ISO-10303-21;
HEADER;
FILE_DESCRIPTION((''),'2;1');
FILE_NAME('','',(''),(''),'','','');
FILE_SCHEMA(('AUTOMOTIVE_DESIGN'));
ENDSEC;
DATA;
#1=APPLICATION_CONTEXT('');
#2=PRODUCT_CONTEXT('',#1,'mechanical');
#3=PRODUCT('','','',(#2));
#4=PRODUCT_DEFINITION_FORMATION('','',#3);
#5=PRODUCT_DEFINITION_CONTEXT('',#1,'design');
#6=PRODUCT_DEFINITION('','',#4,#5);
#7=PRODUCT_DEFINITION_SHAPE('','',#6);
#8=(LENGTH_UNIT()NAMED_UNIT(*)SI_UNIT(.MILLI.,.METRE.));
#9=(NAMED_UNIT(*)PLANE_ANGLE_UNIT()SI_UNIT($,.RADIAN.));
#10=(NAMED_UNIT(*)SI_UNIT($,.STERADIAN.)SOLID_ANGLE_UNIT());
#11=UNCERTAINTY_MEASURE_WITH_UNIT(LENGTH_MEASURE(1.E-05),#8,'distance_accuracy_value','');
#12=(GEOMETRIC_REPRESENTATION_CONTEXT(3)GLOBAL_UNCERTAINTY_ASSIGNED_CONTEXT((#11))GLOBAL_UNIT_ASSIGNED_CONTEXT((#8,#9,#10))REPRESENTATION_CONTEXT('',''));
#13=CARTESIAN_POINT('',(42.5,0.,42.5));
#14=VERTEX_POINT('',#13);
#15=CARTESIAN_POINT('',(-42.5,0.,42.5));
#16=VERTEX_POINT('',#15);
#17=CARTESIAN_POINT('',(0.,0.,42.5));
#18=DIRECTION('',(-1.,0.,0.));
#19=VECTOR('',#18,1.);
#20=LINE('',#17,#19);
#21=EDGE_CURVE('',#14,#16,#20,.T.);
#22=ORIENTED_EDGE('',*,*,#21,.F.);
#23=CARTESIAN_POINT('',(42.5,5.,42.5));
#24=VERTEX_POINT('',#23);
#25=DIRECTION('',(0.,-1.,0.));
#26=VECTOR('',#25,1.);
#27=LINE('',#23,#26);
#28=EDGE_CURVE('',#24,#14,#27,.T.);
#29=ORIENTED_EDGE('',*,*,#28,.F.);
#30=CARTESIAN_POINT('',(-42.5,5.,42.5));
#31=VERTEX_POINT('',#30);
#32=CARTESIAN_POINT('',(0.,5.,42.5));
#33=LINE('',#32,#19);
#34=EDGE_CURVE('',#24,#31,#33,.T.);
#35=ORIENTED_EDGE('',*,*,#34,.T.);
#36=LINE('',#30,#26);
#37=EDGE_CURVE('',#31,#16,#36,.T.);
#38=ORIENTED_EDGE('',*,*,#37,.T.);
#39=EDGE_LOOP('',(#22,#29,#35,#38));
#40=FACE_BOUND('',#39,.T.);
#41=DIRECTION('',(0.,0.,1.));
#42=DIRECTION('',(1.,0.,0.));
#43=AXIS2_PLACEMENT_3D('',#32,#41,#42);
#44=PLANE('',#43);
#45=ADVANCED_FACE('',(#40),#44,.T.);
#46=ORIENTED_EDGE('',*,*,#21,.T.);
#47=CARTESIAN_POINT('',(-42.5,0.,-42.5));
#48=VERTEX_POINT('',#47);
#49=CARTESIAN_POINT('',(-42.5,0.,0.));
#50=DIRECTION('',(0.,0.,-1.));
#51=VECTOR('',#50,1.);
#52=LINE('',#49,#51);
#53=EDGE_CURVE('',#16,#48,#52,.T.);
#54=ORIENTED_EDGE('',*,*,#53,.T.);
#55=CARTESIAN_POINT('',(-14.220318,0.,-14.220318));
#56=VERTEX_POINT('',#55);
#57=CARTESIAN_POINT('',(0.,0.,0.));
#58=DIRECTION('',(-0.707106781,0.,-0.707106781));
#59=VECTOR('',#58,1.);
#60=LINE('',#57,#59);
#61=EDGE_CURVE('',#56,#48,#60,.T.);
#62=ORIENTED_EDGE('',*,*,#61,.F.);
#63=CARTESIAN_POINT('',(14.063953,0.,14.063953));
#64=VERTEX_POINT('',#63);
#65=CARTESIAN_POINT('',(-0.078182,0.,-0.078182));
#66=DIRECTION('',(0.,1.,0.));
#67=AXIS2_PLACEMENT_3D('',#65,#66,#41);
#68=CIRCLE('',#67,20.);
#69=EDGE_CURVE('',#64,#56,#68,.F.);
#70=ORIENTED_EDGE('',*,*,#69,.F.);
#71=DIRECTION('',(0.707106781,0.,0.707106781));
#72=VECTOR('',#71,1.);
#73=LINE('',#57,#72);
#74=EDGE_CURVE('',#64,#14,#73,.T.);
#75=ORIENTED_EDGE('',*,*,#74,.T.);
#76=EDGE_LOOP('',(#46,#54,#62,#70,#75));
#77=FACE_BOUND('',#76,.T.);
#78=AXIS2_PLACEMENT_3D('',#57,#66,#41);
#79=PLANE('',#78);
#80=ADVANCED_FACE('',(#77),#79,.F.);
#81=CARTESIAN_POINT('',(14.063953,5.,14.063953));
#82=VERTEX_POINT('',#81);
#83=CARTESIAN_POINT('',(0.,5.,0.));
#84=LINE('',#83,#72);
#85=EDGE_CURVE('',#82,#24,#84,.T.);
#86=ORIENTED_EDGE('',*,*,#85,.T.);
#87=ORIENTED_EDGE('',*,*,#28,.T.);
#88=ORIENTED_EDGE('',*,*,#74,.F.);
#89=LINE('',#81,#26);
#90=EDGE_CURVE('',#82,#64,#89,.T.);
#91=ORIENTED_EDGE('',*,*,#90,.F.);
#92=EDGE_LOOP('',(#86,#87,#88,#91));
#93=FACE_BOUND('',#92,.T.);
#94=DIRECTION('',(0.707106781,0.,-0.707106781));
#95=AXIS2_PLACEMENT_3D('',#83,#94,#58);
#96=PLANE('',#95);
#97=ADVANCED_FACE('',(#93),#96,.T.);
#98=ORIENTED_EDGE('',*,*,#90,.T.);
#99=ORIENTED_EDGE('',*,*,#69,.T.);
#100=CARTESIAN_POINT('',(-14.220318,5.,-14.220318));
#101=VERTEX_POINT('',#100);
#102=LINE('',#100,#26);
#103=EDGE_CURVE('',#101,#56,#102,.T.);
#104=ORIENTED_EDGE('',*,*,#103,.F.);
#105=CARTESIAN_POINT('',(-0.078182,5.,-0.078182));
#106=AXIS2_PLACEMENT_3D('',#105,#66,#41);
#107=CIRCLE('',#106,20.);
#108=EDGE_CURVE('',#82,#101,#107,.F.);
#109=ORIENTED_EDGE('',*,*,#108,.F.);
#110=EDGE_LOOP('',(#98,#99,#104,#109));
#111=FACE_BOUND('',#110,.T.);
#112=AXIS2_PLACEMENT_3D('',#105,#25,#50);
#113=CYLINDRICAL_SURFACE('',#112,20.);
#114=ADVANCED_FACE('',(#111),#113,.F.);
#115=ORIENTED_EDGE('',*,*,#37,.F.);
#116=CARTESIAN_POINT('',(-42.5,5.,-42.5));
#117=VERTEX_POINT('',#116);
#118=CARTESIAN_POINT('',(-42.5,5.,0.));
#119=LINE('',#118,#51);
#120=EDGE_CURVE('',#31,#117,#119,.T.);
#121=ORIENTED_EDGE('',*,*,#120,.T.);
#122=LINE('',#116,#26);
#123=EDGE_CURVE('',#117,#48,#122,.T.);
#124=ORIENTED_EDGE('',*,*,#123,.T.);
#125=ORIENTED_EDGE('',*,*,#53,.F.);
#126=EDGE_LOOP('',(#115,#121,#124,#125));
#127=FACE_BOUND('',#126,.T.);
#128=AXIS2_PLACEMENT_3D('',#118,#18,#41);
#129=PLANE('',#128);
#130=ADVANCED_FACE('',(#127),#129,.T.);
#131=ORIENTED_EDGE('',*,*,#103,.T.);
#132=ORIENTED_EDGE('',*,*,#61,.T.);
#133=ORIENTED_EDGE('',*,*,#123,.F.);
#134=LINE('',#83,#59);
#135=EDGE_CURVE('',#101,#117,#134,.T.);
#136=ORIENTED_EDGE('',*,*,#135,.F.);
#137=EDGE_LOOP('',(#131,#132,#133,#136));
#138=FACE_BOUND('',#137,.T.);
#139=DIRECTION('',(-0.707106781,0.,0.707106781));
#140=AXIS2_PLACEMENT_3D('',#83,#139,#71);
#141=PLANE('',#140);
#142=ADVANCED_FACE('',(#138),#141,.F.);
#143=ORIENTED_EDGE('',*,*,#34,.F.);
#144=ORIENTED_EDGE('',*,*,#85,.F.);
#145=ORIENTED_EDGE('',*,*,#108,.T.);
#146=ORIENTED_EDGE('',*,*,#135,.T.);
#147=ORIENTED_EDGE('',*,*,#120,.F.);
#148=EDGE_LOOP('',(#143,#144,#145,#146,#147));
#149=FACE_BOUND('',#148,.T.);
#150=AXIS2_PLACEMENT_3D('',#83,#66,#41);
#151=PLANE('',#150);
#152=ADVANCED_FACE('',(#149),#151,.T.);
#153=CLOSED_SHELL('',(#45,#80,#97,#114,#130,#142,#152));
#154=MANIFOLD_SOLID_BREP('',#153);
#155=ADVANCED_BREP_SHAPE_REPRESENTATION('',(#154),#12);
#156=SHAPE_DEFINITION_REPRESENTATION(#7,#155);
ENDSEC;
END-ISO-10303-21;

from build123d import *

# Parameters (mm, degrees)
BOSS_EXTRU_1_DEPTH = 5


with BuildPart() as part:
    # Esquisse1 → Boss.-Extru.1 (new body)
    with BuildSketch(Plane(origin=(0, 0, 0), x_dir=(1, 0, 0), z_dir=(0, 1, 0))):
        with BuildLine():
            Line((-14.220317816, 14.220317816), (-42.5, 42.5))
            Line((-42.5, 42.5), (-42.5, -42.5))
            Line((-42.5, -42.5), (42.5, -42.5))
            Line((42.5, -42.5), (14.063953431, -14.063953431))
            ThreePointArc((14.063953431, -14.063953431), (-14.220317816, -14.063953431), (-14.220317816, 14.220317816))
        make_face()
    extrude(amount=BOSS_EXTRU_1_DEPTH)


solid = part.part
